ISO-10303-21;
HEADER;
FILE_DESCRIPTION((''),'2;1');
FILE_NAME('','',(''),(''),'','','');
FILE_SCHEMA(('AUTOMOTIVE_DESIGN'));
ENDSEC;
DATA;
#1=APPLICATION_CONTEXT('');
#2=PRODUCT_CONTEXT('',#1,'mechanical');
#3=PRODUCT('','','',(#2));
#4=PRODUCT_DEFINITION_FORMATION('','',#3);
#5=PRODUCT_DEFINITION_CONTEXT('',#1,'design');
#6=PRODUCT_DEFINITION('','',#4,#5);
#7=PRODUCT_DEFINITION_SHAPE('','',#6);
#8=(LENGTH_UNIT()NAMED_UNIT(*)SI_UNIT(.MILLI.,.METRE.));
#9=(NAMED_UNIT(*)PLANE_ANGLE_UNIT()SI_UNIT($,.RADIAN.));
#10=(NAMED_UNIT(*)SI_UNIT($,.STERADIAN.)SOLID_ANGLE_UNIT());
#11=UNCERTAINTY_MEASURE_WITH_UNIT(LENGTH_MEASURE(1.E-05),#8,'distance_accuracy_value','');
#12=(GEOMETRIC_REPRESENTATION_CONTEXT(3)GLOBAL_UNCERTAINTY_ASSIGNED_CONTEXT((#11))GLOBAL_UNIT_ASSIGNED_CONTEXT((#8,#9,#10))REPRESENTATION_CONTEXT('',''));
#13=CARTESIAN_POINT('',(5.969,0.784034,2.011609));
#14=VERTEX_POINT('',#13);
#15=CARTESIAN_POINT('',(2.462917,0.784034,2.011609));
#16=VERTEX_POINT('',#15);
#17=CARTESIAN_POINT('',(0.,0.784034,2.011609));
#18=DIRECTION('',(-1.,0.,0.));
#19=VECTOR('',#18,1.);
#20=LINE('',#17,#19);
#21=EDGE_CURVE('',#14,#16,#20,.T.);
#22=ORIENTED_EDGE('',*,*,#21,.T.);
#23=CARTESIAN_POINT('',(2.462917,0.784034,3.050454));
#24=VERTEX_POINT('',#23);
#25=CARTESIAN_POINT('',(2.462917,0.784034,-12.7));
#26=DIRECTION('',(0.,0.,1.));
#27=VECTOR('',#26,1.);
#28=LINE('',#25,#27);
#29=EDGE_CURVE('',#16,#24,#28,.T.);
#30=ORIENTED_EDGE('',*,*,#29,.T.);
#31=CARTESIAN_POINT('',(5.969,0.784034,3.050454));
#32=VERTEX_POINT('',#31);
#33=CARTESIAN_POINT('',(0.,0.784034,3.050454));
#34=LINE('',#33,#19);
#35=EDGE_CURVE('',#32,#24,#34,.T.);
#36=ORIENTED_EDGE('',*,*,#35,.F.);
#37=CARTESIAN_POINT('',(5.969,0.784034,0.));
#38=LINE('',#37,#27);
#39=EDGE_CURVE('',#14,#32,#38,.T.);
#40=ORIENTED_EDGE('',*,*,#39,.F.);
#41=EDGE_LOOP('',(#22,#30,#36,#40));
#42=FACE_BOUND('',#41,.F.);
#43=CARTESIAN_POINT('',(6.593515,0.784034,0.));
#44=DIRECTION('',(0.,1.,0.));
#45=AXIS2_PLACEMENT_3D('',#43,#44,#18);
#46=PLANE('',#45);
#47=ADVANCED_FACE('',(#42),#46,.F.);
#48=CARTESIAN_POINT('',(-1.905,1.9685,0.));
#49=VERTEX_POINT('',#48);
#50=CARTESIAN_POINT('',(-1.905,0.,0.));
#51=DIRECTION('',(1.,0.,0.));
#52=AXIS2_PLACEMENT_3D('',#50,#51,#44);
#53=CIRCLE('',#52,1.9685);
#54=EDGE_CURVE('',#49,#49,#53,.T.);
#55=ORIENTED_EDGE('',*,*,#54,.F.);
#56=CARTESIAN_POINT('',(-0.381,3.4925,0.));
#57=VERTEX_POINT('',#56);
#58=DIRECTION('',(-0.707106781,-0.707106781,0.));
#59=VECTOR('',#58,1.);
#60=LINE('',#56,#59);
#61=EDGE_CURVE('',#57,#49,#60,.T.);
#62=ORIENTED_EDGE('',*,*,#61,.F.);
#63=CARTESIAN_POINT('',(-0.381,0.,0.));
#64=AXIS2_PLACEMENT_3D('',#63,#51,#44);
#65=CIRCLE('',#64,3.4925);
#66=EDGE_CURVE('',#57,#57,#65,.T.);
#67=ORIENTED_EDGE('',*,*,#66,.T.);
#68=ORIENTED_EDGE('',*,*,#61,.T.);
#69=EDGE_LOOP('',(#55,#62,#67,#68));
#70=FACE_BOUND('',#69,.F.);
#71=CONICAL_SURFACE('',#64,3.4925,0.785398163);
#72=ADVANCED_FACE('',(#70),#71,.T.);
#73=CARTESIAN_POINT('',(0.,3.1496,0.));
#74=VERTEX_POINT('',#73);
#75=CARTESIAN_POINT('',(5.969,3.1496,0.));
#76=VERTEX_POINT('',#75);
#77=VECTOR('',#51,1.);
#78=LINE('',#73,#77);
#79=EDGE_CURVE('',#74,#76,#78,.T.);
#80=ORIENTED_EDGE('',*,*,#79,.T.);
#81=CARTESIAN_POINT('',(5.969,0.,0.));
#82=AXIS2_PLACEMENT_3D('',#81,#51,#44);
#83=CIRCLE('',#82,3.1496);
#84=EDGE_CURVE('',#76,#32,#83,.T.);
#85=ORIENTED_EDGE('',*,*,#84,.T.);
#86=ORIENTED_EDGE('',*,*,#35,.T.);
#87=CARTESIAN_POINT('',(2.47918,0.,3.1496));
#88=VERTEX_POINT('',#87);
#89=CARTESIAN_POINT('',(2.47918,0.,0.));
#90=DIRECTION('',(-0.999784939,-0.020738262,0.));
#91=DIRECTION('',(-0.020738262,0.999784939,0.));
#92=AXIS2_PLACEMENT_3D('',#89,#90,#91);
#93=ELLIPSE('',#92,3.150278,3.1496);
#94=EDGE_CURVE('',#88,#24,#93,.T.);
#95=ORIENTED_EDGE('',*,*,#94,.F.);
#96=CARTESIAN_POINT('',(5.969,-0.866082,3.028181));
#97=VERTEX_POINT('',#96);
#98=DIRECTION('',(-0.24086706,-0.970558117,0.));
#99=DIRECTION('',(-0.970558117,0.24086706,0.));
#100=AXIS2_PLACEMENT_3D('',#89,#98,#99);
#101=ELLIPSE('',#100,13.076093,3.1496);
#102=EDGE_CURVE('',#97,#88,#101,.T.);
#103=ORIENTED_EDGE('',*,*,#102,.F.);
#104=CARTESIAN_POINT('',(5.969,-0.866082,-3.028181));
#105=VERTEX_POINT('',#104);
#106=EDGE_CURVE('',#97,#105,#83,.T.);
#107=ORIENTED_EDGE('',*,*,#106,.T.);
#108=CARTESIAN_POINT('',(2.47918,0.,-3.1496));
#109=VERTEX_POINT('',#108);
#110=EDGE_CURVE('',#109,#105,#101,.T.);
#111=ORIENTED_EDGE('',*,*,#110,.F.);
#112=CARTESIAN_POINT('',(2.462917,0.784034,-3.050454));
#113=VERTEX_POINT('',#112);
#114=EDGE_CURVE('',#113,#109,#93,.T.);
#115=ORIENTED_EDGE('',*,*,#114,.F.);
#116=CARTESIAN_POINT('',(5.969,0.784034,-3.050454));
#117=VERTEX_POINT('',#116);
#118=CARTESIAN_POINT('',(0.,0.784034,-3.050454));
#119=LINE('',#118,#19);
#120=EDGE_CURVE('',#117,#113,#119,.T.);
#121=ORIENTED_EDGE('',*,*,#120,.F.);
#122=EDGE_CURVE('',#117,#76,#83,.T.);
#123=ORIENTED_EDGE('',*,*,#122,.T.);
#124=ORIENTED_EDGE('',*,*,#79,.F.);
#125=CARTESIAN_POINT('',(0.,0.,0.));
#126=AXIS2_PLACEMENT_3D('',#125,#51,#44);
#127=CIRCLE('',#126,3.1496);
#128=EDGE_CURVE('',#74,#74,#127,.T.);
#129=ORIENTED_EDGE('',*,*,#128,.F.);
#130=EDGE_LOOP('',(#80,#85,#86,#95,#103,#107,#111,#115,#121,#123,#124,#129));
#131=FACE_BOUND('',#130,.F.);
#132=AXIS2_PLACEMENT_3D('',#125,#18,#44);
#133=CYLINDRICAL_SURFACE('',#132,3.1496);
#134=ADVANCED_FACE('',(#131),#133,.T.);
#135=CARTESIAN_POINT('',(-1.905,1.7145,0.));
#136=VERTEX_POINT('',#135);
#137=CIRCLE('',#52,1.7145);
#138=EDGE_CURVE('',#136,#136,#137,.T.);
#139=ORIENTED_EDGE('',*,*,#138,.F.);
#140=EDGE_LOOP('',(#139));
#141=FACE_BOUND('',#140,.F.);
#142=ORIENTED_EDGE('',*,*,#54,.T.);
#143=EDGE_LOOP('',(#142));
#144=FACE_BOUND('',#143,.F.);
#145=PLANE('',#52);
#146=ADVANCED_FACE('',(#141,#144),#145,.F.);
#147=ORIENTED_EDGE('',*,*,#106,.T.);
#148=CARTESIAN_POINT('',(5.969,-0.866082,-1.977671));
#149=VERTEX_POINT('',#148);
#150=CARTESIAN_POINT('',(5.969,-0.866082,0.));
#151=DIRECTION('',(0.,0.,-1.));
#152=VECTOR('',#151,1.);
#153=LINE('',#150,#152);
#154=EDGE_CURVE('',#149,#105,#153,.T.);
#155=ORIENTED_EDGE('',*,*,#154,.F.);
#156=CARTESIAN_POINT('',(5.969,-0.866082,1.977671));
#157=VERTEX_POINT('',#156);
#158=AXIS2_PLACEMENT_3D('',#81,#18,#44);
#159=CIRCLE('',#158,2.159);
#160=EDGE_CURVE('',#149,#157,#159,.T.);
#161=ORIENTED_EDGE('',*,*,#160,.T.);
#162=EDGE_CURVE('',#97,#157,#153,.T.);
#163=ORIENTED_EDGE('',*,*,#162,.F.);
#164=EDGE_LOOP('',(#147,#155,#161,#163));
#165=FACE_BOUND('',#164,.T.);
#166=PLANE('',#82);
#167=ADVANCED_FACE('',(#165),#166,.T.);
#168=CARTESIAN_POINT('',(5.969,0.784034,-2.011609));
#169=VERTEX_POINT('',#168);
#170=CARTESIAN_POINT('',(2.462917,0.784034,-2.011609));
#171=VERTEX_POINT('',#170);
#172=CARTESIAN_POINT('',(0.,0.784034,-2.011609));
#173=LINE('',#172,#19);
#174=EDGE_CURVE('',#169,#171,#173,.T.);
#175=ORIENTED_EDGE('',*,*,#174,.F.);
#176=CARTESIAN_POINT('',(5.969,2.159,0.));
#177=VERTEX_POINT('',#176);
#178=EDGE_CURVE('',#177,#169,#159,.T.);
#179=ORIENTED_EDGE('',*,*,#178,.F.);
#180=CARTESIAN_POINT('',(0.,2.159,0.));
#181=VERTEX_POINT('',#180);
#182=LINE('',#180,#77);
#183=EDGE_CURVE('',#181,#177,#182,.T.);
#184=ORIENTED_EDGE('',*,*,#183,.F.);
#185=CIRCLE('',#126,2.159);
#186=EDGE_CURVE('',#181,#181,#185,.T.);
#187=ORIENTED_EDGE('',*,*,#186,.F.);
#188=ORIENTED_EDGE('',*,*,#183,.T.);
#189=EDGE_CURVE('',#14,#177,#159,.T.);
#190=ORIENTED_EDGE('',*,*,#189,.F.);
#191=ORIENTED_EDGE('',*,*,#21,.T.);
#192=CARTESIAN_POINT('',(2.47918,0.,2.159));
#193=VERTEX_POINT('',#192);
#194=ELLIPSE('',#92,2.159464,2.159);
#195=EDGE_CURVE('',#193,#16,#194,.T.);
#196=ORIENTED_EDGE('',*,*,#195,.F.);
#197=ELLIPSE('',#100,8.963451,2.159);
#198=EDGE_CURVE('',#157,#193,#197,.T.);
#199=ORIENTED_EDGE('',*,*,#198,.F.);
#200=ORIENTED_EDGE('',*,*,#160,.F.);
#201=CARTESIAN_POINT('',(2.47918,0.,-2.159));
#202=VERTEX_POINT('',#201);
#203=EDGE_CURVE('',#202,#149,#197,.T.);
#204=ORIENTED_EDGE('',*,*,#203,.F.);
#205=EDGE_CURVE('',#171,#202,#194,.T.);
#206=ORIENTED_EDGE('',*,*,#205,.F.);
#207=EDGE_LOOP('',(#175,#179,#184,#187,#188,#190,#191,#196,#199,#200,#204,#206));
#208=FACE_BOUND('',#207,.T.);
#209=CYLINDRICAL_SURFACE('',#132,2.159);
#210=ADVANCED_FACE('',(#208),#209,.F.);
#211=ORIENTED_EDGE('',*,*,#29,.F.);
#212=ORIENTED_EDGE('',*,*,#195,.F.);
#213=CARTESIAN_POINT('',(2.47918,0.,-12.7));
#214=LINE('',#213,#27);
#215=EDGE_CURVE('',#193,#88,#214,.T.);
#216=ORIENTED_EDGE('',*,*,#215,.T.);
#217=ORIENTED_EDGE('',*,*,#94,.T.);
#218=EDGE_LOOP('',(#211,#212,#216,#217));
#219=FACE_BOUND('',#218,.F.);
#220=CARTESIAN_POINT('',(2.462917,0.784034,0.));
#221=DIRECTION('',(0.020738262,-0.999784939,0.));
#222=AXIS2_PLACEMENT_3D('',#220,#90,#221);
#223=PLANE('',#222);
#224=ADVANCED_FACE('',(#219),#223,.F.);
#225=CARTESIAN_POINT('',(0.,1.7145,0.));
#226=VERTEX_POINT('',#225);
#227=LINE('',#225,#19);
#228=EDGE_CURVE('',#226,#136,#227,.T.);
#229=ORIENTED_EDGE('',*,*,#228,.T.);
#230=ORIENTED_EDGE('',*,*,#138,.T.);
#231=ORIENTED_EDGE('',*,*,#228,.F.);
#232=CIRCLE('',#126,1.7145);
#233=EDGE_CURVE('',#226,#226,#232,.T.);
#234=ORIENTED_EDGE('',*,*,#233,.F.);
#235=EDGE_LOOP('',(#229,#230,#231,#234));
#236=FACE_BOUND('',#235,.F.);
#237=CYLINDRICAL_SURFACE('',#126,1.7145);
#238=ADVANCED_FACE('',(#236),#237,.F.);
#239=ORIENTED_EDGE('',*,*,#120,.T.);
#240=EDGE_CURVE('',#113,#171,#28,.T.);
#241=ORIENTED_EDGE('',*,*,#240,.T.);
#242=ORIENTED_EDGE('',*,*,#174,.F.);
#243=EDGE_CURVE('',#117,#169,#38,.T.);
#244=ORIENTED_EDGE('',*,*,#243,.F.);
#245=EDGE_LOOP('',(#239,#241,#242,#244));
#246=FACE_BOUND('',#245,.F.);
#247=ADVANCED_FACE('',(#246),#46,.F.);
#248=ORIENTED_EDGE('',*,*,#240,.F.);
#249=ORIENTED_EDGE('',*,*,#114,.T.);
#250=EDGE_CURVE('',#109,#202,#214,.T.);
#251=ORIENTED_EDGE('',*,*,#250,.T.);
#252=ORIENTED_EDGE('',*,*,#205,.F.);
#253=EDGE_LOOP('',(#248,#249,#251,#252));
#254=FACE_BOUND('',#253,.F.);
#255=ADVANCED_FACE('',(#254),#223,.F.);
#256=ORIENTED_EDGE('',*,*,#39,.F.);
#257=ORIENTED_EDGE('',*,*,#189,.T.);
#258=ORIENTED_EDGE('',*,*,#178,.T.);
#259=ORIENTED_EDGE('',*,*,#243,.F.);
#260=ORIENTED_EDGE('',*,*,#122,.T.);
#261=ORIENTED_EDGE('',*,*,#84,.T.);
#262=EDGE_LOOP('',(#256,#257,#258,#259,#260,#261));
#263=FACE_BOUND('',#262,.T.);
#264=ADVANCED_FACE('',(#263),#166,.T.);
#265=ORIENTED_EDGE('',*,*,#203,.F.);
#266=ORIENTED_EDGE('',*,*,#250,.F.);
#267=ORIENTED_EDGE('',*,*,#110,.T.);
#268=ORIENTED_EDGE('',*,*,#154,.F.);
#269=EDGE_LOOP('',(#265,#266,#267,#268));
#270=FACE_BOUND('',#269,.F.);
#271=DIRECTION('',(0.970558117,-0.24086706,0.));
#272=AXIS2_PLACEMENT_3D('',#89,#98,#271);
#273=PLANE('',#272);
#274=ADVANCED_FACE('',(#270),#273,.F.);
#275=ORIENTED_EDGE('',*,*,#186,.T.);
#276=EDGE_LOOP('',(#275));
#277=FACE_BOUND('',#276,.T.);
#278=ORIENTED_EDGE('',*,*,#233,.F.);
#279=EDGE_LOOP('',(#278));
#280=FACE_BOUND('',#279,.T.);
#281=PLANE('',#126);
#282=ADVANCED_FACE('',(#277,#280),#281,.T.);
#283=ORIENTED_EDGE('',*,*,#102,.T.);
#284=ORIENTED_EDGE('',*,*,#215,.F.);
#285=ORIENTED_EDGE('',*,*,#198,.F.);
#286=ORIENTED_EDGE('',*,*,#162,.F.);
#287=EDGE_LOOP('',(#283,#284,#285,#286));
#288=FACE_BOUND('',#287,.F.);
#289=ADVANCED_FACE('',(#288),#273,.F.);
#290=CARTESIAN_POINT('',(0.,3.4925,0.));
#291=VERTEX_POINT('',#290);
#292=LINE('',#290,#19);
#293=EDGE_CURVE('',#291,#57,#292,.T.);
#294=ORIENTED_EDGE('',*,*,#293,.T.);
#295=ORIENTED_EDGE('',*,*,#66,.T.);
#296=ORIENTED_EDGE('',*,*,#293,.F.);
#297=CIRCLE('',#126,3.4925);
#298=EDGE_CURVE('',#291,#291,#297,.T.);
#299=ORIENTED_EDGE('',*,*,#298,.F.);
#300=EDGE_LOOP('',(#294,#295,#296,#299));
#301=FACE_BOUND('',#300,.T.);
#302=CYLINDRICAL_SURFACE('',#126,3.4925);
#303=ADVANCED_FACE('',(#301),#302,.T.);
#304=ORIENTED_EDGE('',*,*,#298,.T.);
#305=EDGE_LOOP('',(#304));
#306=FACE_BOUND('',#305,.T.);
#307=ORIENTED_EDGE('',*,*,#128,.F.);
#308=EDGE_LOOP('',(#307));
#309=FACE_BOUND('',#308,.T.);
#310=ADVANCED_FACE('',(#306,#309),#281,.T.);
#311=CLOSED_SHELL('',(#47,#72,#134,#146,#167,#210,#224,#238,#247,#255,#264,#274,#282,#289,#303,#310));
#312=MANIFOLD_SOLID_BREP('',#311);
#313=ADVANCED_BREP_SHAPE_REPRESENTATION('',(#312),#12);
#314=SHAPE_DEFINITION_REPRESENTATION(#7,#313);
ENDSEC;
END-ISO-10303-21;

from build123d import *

# Parameters (mm, degrees)
F2_R      = 3.1496
F3_DEPTH  = 5.969
F4_R      = 2.159
F5_DEPTH  = 8.9662
F0_R      = 1.7145
F6_DEPTH  = 3.7592
F8_DEPTH  = 12.7
F1_R      = 3.4925
F9_DEPTH  = 1.905
F10_DEPTH = 2.54
F11_SIZE  = 1.524


with BuildPart() as f3:
    # F2 (on Right) → F3 (new body)
    with BuildSketch(Plane.YZ):
        Circle(F2_R)
    extrude(amount=F3_DEPTH)

    # F4 (on Right) → F5 (cut)
    with BuildSketch(Plane.YZ):
        Circle(F4_R)
    extrude(amount=F5_DEPTH, mode=Mode.SUBTRACT)

    # F0 (on Right) → F6 (cut)
    with BuildSketch(Plane.YZ):
        Circle(F0_R)
    extrude(amount=-F6_DEPTH, mode=Mode.SUBTRACT)

    # F7 (on Top) → F8 (cut, symmetric)
    with BuildSketch(Plane.XY):
        Polygon((6.593515, 0.784034), (2.462917, 0.784034), (2.47918, 0), (6.593515, -1.02107), align=None)
    extrude(amount=F8_DEPTH, both=True, mode=Mode.SUBTRACT)

    # F1 (on Right) → F9 (join)
    with BuildSketch(Plane.YZ):
        Circle(F1_R)
    extrude(amount=-F9_DEPTH)

    # F0 (on Right) → F10 (cut)
    with BuildSketch(Plane.YZ):
        Circle(F0_R)
    extrude(amount=-F10_DEPTH, mode=Mode.SUBTRACT)

    # F11
    f11_edges = [f3.edges().sort_by_distance(p)[0] for p in [
        (-1.905, -3.4925, 0),
    ]]
    chamfer(f11_edges, length=F11_SIZE)


solid = f3.part
